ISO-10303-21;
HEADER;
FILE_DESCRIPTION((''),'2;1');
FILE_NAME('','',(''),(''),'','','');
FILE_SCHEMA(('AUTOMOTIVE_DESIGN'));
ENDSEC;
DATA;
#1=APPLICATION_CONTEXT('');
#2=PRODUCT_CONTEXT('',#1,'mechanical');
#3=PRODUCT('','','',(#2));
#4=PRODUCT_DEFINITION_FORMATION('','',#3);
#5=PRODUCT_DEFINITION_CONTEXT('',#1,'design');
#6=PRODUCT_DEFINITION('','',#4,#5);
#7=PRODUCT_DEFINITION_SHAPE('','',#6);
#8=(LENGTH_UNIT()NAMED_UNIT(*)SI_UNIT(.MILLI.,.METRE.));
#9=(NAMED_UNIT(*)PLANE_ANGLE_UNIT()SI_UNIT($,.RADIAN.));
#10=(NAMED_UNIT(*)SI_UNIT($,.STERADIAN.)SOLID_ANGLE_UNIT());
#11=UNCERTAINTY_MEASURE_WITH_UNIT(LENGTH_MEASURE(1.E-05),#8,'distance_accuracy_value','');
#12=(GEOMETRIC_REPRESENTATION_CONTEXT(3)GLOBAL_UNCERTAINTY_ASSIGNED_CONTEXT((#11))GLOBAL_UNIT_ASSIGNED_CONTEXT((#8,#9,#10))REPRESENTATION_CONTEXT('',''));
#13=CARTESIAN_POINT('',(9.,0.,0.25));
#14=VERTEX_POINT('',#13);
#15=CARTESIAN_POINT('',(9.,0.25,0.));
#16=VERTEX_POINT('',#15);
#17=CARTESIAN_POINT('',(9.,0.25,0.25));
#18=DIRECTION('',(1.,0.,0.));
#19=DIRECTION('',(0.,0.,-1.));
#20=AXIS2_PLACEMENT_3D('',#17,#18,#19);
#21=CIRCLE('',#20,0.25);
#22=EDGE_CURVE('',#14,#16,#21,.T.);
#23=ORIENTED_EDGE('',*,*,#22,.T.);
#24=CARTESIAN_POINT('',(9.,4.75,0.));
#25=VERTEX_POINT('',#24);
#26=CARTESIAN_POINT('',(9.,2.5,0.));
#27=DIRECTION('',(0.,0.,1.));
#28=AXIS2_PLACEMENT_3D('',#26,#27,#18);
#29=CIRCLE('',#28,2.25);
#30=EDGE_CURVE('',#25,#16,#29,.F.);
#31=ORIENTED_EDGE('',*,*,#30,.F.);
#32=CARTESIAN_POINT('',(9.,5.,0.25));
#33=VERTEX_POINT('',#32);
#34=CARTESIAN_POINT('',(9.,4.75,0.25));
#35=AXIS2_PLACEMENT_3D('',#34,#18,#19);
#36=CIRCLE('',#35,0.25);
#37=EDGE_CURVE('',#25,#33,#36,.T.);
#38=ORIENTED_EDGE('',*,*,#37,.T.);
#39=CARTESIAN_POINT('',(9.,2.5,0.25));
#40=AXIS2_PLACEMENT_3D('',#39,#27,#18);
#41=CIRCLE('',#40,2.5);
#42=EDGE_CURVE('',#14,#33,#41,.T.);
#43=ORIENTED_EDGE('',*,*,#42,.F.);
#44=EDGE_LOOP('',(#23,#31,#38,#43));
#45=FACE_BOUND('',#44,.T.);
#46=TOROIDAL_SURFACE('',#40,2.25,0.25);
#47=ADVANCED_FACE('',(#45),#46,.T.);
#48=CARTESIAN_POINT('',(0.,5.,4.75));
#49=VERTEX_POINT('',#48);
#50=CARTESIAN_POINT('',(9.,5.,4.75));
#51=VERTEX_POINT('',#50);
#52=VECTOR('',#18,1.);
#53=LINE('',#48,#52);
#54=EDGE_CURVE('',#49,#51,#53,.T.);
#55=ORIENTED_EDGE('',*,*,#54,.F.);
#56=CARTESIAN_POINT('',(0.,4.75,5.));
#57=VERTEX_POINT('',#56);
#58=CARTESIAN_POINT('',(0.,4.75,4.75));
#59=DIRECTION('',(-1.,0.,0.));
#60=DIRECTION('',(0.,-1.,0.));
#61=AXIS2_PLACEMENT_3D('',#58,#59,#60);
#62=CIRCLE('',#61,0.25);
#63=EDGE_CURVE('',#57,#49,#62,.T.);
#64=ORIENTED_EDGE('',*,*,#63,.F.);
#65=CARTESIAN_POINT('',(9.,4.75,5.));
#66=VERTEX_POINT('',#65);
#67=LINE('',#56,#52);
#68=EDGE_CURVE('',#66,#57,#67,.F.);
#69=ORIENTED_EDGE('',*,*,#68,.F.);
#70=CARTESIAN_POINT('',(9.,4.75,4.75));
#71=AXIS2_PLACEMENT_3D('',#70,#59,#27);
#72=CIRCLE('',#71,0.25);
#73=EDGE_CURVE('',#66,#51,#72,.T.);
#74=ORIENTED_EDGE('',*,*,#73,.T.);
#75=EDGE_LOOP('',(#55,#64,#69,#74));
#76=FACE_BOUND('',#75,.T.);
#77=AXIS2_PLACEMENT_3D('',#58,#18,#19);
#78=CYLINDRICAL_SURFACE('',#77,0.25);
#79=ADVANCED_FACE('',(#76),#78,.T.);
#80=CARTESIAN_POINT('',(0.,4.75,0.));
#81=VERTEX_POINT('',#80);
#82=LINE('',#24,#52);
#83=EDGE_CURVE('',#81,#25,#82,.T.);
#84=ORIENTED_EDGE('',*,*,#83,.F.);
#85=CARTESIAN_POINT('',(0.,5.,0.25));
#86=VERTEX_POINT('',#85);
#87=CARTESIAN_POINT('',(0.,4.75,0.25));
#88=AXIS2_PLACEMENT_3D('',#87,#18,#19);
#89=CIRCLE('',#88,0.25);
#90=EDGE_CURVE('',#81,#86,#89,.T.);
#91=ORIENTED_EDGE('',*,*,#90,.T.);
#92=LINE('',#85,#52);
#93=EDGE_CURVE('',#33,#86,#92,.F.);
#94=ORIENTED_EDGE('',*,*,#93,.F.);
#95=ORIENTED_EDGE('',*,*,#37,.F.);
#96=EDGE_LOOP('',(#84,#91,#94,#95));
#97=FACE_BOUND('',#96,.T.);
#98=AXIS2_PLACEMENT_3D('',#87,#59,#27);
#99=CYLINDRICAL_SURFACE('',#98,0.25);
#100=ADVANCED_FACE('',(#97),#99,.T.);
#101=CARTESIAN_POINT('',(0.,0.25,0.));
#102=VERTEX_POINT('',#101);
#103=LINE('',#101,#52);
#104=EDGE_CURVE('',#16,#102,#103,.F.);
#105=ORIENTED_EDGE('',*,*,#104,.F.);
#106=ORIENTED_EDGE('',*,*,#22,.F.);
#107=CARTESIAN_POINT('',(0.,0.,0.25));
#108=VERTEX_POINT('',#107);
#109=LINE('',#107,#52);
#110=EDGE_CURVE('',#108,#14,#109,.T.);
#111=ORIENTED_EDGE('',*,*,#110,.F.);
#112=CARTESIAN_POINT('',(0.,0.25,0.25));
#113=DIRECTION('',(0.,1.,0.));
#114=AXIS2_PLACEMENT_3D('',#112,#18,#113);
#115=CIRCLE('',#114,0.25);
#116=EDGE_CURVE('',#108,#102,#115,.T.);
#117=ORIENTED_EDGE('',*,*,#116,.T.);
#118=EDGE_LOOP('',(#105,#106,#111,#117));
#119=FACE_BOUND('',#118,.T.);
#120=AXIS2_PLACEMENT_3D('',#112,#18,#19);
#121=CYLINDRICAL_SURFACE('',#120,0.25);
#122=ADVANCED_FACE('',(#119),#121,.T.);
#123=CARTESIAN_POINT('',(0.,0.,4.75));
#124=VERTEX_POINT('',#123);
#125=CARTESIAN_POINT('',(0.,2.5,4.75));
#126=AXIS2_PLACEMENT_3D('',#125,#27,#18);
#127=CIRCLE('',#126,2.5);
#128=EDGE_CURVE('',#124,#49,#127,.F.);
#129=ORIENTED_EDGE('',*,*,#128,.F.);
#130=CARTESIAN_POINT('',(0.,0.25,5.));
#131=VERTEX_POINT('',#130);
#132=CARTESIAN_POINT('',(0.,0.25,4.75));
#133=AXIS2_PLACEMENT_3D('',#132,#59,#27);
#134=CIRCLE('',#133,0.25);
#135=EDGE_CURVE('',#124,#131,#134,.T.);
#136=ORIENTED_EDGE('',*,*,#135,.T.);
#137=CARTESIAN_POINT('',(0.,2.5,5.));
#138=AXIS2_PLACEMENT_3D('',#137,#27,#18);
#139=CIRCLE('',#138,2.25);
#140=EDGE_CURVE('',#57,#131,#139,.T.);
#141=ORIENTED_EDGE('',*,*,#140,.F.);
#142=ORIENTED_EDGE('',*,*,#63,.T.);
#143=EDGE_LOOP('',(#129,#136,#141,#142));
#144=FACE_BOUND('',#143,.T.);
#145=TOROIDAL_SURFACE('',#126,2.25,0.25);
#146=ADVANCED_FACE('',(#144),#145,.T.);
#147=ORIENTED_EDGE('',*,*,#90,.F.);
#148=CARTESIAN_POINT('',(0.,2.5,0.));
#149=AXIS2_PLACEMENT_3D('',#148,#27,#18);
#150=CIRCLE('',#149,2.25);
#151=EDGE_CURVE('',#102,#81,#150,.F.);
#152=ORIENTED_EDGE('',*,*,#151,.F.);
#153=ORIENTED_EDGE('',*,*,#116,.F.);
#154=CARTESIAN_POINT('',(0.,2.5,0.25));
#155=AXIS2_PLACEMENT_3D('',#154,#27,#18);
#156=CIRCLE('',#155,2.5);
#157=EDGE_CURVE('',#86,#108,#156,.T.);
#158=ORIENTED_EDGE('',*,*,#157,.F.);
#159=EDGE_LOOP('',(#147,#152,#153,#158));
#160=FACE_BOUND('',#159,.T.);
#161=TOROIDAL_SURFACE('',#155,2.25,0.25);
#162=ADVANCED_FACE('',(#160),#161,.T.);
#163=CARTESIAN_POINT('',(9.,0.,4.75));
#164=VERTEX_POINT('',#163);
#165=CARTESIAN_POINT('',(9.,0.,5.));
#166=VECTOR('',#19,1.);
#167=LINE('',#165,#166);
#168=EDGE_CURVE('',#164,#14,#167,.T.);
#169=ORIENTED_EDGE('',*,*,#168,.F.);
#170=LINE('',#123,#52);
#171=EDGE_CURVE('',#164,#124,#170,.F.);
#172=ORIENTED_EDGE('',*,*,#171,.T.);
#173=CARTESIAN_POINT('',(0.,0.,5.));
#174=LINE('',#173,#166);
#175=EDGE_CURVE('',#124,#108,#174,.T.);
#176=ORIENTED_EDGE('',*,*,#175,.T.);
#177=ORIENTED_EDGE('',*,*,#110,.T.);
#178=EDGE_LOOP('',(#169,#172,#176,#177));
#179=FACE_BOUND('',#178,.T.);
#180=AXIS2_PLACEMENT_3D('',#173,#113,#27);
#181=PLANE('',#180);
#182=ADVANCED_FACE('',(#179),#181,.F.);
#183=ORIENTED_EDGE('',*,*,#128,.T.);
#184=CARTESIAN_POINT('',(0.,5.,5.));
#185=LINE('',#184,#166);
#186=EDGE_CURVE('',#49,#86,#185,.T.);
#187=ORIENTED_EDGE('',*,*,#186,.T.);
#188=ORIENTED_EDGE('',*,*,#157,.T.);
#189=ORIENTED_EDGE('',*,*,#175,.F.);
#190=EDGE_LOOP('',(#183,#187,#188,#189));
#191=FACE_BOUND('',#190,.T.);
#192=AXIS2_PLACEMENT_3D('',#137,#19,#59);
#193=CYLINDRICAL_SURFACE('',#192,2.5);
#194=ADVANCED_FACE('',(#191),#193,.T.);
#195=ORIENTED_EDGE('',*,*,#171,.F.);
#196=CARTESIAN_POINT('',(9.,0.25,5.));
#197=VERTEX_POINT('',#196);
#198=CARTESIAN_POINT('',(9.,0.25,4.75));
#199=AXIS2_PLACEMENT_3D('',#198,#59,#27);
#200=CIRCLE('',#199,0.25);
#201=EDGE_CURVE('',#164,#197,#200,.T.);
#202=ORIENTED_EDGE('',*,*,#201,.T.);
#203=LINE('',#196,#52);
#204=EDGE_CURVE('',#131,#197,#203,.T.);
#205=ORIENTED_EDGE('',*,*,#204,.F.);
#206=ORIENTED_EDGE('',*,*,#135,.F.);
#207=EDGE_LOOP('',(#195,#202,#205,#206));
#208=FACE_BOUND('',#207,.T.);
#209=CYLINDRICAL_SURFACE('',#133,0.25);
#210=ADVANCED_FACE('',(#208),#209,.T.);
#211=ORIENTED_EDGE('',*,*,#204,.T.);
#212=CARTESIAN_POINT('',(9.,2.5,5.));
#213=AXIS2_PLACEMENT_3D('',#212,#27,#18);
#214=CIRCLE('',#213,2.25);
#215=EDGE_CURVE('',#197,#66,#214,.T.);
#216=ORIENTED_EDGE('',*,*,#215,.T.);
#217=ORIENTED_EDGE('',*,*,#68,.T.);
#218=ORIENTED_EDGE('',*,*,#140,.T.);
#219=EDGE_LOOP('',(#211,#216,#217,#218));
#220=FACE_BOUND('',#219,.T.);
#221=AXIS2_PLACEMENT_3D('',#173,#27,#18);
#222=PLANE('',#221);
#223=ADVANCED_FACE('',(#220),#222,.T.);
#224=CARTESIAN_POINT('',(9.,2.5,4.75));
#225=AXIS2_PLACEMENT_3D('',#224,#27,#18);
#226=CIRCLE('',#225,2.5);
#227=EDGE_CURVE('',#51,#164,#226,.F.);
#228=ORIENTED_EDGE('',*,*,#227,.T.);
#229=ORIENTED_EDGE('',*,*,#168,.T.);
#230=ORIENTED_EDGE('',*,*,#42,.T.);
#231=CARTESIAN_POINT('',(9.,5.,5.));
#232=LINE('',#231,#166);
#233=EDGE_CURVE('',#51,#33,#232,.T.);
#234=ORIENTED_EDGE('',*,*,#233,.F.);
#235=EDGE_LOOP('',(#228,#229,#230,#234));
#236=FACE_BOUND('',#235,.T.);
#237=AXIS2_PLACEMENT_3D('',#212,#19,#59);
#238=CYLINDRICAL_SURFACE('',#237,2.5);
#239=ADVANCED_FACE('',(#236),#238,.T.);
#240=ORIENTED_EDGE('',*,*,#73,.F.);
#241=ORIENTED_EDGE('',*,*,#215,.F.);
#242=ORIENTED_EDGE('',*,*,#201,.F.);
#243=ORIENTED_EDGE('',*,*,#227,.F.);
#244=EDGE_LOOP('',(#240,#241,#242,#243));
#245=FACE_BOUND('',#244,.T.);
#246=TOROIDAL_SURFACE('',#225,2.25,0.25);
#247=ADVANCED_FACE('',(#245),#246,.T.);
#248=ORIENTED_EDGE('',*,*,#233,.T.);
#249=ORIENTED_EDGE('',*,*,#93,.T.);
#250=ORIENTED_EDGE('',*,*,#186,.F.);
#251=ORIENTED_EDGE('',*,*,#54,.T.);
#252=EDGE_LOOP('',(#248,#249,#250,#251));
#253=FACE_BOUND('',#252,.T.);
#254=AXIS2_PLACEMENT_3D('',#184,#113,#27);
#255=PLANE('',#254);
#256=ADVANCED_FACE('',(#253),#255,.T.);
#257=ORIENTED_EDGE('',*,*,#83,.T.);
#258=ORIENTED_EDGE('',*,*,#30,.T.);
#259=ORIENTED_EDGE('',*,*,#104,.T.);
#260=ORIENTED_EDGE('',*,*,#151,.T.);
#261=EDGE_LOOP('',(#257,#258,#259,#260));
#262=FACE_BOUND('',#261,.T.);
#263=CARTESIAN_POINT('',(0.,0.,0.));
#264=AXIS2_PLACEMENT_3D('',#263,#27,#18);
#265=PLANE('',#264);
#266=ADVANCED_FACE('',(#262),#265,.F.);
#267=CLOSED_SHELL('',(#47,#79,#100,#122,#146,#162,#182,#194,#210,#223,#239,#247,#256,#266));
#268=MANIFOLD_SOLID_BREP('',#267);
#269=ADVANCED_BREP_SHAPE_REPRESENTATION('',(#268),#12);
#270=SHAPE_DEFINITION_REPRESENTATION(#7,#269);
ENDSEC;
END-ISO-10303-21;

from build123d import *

# Parameters (mm, degrees)
BOSS_EXTRUDE1_DEPTH = 5
FILLET3_R           = 0.25


with BuildPart() as part:
    # Sketch1 → Boss-Extrude1 (new body)
    with BuildSketch(Plane.XY):
        with BuildLine():
            Line((0, 0), (0, 5))
            ThreePointArc((0, 5), (-2.5, 2.5), (0, 0))
        make_face()
        with BuildLine():
            ThreePointArc((9, 0), (11.5, 2.5), (9, 5))
            Line((9, 5), (0, 5))
            ThreePointArc((0, 5), (-2.5, 2.5), (0, 0))
            Line((0, 0), (9, 0))
        make_face()
        with BuildLine():
            Line((9, 0), (9, 5))
            ThreePointArc((9, 5), (11.5, 2.5), (9, 0))
        make_face()
    extrude(amount=BOSS_EXTRUDE1_DEPTH)

    # Fillet3
    fillet3_edges = [part.edges().sort_by_distance(p)[0] for p in [
        (11.5, 2.5, 5),
        (4.5, 5, 5),
        (-2.5, 2.5, 5),
        (-2.5, 2.5, 0),
        (4.5, 0, 5),
        (4.5, 5, 0),
        (11.5, 2.5, 0),
        (4.5, 0, 0),
    ]]
    fillet(fillet3_edges, radius=FILLET3_R)


solid = part.part
